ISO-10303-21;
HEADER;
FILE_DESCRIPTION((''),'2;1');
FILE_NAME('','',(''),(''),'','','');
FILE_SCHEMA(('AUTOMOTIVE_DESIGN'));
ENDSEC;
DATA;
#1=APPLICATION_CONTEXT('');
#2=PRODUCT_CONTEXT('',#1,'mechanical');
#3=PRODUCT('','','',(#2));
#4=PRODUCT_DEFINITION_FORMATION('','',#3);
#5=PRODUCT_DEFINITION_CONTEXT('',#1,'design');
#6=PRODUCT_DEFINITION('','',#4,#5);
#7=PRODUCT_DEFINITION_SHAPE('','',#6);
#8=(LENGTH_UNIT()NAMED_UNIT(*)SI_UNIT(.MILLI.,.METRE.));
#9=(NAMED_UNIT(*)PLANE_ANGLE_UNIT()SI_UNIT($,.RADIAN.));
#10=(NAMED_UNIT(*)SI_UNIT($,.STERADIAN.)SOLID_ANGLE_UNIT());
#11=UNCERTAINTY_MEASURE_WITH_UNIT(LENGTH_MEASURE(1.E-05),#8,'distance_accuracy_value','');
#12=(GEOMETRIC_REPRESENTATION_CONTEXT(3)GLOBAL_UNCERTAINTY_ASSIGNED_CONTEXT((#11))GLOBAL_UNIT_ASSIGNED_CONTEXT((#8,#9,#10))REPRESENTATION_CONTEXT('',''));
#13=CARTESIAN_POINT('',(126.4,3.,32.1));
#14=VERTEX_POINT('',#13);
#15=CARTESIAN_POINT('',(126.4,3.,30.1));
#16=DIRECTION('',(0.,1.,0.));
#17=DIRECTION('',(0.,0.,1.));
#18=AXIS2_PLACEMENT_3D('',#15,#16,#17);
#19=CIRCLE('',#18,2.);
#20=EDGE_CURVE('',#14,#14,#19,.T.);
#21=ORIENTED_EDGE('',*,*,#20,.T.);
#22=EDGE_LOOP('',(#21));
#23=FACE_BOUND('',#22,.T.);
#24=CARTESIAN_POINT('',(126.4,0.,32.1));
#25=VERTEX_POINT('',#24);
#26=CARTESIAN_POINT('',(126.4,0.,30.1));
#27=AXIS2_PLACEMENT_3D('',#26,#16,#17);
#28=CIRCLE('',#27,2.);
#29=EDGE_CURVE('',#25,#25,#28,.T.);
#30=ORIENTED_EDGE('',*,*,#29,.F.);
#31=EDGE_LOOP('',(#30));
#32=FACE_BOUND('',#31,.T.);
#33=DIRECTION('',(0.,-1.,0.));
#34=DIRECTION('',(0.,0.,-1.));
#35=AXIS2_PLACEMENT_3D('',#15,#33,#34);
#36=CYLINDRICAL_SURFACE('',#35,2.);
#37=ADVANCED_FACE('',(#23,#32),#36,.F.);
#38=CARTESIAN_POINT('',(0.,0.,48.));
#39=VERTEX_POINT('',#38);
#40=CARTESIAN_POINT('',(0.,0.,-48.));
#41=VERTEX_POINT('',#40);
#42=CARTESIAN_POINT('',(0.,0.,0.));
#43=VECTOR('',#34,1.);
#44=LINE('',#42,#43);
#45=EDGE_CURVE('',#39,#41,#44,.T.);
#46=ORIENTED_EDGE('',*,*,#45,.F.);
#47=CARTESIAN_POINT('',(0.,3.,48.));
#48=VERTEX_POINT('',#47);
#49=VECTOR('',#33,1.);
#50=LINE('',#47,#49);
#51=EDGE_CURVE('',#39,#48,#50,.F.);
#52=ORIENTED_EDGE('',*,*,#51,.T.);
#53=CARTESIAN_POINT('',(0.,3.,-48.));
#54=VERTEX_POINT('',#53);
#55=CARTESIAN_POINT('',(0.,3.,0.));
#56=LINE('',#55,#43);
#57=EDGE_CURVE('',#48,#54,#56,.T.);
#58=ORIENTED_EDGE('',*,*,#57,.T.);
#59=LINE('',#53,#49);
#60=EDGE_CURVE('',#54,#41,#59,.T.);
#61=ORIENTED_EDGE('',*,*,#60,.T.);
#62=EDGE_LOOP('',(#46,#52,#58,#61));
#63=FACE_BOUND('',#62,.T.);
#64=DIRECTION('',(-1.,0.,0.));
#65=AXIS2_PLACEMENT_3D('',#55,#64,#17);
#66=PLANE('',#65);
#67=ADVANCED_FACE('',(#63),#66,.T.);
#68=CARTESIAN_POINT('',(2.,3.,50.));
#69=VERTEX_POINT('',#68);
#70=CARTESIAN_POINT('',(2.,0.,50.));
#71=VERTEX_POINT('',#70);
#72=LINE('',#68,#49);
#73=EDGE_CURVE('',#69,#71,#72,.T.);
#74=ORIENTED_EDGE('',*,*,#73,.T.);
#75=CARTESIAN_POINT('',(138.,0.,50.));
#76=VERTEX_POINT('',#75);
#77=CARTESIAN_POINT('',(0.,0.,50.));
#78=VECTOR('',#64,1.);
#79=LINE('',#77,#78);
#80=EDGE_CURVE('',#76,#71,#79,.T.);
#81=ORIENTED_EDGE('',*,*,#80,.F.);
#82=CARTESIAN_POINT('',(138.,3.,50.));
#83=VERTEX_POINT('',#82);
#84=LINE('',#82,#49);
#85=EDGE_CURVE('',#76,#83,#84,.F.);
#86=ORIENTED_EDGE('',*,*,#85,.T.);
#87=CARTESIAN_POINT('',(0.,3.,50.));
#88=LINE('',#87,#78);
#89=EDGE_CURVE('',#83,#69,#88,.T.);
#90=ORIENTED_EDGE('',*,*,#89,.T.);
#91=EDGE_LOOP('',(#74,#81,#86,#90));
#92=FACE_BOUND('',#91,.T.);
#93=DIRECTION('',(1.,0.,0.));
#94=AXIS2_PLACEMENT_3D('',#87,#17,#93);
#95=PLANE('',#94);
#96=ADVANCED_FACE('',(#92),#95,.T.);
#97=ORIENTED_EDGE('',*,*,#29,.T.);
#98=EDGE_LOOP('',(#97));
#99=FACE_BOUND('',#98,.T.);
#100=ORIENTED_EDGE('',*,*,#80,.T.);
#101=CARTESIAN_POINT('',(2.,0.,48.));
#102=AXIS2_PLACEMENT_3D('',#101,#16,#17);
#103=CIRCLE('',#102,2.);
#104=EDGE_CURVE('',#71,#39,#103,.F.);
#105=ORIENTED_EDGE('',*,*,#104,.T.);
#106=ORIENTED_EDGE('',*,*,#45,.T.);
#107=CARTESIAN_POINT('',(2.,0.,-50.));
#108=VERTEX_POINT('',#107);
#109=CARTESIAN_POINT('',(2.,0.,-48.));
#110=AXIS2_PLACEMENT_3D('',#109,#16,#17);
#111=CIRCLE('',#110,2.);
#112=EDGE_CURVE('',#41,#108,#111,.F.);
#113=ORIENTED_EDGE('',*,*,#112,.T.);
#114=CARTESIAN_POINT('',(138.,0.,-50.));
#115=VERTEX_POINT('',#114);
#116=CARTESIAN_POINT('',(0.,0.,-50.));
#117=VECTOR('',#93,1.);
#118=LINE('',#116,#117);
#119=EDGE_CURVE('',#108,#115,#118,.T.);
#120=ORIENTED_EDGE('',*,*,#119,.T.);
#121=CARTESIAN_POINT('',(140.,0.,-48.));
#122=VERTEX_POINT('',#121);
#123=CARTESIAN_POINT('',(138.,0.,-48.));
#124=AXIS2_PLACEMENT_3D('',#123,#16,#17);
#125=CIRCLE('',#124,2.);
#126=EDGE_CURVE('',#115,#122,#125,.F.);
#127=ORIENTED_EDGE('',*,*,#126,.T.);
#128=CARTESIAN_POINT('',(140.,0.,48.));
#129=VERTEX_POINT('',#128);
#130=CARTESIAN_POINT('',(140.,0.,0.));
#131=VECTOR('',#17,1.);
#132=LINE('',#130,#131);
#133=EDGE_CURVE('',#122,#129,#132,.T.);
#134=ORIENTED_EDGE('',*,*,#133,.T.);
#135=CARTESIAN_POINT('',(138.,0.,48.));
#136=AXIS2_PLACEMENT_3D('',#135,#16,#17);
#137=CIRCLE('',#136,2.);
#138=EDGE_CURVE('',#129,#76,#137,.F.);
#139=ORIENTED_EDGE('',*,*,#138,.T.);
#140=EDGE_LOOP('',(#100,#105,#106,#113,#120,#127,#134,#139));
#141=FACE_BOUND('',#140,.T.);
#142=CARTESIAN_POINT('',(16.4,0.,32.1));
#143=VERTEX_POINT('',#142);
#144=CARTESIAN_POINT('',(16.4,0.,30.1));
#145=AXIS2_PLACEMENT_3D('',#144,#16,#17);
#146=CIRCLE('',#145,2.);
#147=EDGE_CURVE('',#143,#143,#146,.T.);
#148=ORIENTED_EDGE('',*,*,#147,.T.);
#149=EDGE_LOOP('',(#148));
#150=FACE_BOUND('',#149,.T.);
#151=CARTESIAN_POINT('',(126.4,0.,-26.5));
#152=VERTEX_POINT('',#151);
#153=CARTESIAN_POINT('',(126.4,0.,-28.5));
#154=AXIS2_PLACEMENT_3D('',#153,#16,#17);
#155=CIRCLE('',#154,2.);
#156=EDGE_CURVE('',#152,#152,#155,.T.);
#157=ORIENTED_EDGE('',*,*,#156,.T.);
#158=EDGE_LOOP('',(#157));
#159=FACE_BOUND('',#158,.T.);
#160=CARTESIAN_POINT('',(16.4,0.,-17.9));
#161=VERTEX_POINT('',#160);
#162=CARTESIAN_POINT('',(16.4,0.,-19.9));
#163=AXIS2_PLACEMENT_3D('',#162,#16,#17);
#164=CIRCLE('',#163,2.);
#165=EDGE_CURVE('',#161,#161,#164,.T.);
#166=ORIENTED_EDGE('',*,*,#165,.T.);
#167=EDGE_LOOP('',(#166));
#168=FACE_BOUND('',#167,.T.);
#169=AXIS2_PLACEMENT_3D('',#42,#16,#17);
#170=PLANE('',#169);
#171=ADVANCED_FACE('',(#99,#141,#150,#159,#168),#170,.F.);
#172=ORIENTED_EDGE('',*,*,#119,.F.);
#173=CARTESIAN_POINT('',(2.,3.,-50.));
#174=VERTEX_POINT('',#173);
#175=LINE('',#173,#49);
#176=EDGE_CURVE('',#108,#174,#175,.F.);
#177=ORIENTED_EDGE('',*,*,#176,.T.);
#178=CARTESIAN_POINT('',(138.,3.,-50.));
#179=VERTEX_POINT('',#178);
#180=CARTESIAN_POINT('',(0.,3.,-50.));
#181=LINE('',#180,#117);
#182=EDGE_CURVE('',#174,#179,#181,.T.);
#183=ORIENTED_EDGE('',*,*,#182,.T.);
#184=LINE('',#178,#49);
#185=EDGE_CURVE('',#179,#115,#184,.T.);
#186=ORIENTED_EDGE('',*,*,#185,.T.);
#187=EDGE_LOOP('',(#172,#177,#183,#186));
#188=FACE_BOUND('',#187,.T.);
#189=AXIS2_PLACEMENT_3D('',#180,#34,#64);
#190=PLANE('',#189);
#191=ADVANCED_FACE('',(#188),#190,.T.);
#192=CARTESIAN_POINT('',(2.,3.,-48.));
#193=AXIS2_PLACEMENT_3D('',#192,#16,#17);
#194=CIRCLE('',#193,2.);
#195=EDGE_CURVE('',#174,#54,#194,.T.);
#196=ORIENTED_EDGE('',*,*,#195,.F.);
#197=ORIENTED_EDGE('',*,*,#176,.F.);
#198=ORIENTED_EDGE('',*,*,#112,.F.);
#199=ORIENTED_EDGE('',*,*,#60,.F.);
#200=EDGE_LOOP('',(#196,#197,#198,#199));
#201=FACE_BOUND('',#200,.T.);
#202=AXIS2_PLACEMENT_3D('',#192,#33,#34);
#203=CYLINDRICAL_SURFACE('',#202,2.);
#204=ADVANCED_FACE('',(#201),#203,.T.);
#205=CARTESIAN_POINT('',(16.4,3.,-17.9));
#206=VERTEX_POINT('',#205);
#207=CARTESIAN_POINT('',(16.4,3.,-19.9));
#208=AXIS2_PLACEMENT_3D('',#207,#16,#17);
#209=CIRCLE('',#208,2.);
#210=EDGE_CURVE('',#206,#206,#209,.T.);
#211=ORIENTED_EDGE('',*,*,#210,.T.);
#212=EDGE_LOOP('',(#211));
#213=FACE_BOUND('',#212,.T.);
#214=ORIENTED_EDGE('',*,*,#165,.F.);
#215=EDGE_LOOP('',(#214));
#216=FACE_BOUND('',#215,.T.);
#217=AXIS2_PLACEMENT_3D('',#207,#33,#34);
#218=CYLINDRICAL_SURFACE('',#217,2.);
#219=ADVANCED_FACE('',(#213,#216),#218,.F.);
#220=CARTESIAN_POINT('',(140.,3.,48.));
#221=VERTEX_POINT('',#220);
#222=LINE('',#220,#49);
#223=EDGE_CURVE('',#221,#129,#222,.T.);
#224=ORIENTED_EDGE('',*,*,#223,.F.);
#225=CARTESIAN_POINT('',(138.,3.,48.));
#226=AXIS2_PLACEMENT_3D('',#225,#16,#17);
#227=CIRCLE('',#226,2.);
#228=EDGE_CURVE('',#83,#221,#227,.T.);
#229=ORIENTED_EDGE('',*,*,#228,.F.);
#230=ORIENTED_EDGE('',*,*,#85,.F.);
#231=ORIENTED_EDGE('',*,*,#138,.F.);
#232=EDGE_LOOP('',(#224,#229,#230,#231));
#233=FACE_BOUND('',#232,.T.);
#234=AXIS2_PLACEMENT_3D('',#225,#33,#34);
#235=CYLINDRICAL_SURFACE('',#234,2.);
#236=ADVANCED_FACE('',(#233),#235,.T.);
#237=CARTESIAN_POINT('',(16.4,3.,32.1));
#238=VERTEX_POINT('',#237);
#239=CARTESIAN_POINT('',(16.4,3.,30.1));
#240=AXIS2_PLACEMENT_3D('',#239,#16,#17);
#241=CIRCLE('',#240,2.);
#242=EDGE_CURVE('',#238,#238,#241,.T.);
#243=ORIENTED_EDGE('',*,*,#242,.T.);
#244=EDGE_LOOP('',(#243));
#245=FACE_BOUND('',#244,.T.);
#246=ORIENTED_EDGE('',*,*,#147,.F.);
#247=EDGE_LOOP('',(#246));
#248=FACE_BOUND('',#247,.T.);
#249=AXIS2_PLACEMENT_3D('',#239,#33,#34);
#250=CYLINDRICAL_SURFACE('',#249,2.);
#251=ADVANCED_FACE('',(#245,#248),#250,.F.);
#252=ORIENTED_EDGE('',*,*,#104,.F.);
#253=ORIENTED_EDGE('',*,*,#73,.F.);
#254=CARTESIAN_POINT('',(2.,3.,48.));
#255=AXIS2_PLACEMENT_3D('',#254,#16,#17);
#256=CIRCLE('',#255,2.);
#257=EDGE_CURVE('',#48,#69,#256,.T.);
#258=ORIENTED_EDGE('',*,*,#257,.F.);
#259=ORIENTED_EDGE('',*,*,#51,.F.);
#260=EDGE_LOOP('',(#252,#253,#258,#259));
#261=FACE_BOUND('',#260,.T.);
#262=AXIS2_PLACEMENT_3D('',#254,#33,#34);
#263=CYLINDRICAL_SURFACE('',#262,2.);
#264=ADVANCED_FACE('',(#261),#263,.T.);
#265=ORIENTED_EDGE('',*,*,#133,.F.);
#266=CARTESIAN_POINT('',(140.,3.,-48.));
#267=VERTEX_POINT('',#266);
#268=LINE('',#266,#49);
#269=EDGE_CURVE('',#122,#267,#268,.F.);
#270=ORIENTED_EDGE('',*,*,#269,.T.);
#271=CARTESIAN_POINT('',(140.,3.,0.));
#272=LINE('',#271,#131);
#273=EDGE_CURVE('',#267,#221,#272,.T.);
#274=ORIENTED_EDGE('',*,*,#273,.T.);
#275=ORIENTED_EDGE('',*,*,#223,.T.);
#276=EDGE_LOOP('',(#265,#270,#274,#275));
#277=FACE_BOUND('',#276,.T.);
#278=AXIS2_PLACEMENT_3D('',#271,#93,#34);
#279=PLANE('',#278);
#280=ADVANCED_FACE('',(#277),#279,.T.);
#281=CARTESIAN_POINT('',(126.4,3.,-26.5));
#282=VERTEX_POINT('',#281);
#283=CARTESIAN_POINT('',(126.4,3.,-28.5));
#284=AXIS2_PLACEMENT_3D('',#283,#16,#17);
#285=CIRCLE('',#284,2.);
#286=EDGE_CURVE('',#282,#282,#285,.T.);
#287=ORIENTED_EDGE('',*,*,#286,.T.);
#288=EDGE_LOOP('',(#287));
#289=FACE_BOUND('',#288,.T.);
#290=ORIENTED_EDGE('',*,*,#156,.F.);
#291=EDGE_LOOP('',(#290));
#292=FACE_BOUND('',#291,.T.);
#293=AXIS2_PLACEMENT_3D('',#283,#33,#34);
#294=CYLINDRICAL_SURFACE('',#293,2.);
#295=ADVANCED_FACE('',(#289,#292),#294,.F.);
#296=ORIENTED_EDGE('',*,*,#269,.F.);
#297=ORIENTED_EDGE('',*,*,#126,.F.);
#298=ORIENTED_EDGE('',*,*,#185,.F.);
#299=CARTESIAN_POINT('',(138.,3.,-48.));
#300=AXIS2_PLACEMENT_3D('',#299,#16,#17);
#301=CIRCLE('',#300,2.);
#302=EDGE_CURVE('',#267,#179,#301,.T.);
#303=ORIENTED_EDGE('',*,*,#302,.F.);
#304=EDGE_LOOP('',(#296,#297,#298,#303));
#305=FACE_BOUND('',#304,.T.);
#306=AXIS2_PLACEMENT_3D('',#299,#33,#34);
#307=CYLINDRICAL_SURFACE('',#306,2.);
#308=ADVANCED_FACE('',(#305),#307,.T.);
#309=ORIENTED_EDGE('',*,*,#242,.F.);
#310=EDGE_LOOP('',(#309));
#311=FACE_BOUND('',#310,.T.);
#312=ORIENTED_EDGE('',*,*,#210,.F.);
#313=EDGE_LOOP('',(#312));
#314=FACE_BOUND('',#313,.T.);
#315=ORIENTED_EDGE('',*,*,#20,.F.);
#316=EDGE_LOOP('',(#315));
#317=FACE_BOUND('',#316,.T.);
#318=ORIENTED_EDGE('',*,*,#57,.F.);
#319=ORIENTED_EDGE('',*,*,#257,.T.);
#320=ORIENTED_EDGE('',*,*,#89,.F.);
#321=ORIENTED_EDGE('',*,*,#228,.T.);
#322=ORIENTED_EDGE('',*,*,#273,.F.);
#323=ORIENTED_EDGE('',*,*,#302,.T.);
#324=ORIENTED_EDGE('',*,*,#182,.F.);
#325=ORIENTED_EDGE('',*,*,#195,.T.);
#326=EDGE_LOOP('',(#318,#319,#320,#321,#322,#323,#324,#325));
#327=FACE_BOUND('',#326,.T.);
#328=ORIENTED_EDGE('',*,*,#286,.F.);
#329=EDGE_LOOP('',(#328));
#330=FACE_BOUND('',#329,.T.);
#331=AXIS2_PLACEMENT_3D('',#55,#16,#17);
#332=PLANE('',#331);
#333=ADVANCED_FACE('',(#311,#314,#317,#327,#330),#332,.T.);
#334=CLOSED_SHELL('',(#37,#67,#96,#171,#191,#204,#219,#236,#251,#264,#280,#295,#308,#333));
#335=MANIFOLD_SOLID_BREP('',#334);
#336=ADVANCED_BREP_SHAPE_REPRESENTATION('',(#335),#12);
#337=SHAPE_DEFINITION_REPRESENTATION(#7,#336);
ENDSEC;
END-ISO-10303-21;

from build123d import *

# Parameters (mm, degrees)
SKETCH_1_R      = 2
EXTRUDE_1_DEPTH = 3
FILLET_1_R      = 2


with BuildPart() as part:
    # 草图1 → 凸台-拉伸1 (new body)
    with BuildSketch(Plane(origin=(0, 0, 0), x_dir=(1, 0, 0), z_dir=(0, 1, 0))):
        Polygon((0, 0), (0, -50), (140, -50), (140, 50), (0, 50), align=None)
        with Locations(Location((16.4, -30.1, 0), (0, 0, 270))):
            Circle(SKETCH_1_R, mode=Mode.SUBTRACT)
        with Locations(Location((16.4, 19.9, 0), (0, 0, 270))):
            Circle(SKETCH_1_R, mode=Mode.SUBTRACT)
        with Locations(Location((126.4, 28.5, 0), (0, 0, 270))):
            Circle(SKETCH_1_R, mode=Mode.SUBTRACT)
        with Locations(Location((126.4, -30.1, 0), (0, 0, 270))):
            Circle(SKETCH_1_R, mode=Mode.SUBTRACT)
    extrude(amount=EXTRUDE_1_DEPTH)

    # 圆角1
    fillet_1_edges = [part.edges().sort_by_distance(p)[0] for p in [
        (0, 1.5, 50),
        (0, 1.5, -50),
        (140, 1.5, -50),
        (140, 1.5, 50),
    ]]
    fillet(fillet_1_edges, radius=FILLET_1_R)


solid = part.part
